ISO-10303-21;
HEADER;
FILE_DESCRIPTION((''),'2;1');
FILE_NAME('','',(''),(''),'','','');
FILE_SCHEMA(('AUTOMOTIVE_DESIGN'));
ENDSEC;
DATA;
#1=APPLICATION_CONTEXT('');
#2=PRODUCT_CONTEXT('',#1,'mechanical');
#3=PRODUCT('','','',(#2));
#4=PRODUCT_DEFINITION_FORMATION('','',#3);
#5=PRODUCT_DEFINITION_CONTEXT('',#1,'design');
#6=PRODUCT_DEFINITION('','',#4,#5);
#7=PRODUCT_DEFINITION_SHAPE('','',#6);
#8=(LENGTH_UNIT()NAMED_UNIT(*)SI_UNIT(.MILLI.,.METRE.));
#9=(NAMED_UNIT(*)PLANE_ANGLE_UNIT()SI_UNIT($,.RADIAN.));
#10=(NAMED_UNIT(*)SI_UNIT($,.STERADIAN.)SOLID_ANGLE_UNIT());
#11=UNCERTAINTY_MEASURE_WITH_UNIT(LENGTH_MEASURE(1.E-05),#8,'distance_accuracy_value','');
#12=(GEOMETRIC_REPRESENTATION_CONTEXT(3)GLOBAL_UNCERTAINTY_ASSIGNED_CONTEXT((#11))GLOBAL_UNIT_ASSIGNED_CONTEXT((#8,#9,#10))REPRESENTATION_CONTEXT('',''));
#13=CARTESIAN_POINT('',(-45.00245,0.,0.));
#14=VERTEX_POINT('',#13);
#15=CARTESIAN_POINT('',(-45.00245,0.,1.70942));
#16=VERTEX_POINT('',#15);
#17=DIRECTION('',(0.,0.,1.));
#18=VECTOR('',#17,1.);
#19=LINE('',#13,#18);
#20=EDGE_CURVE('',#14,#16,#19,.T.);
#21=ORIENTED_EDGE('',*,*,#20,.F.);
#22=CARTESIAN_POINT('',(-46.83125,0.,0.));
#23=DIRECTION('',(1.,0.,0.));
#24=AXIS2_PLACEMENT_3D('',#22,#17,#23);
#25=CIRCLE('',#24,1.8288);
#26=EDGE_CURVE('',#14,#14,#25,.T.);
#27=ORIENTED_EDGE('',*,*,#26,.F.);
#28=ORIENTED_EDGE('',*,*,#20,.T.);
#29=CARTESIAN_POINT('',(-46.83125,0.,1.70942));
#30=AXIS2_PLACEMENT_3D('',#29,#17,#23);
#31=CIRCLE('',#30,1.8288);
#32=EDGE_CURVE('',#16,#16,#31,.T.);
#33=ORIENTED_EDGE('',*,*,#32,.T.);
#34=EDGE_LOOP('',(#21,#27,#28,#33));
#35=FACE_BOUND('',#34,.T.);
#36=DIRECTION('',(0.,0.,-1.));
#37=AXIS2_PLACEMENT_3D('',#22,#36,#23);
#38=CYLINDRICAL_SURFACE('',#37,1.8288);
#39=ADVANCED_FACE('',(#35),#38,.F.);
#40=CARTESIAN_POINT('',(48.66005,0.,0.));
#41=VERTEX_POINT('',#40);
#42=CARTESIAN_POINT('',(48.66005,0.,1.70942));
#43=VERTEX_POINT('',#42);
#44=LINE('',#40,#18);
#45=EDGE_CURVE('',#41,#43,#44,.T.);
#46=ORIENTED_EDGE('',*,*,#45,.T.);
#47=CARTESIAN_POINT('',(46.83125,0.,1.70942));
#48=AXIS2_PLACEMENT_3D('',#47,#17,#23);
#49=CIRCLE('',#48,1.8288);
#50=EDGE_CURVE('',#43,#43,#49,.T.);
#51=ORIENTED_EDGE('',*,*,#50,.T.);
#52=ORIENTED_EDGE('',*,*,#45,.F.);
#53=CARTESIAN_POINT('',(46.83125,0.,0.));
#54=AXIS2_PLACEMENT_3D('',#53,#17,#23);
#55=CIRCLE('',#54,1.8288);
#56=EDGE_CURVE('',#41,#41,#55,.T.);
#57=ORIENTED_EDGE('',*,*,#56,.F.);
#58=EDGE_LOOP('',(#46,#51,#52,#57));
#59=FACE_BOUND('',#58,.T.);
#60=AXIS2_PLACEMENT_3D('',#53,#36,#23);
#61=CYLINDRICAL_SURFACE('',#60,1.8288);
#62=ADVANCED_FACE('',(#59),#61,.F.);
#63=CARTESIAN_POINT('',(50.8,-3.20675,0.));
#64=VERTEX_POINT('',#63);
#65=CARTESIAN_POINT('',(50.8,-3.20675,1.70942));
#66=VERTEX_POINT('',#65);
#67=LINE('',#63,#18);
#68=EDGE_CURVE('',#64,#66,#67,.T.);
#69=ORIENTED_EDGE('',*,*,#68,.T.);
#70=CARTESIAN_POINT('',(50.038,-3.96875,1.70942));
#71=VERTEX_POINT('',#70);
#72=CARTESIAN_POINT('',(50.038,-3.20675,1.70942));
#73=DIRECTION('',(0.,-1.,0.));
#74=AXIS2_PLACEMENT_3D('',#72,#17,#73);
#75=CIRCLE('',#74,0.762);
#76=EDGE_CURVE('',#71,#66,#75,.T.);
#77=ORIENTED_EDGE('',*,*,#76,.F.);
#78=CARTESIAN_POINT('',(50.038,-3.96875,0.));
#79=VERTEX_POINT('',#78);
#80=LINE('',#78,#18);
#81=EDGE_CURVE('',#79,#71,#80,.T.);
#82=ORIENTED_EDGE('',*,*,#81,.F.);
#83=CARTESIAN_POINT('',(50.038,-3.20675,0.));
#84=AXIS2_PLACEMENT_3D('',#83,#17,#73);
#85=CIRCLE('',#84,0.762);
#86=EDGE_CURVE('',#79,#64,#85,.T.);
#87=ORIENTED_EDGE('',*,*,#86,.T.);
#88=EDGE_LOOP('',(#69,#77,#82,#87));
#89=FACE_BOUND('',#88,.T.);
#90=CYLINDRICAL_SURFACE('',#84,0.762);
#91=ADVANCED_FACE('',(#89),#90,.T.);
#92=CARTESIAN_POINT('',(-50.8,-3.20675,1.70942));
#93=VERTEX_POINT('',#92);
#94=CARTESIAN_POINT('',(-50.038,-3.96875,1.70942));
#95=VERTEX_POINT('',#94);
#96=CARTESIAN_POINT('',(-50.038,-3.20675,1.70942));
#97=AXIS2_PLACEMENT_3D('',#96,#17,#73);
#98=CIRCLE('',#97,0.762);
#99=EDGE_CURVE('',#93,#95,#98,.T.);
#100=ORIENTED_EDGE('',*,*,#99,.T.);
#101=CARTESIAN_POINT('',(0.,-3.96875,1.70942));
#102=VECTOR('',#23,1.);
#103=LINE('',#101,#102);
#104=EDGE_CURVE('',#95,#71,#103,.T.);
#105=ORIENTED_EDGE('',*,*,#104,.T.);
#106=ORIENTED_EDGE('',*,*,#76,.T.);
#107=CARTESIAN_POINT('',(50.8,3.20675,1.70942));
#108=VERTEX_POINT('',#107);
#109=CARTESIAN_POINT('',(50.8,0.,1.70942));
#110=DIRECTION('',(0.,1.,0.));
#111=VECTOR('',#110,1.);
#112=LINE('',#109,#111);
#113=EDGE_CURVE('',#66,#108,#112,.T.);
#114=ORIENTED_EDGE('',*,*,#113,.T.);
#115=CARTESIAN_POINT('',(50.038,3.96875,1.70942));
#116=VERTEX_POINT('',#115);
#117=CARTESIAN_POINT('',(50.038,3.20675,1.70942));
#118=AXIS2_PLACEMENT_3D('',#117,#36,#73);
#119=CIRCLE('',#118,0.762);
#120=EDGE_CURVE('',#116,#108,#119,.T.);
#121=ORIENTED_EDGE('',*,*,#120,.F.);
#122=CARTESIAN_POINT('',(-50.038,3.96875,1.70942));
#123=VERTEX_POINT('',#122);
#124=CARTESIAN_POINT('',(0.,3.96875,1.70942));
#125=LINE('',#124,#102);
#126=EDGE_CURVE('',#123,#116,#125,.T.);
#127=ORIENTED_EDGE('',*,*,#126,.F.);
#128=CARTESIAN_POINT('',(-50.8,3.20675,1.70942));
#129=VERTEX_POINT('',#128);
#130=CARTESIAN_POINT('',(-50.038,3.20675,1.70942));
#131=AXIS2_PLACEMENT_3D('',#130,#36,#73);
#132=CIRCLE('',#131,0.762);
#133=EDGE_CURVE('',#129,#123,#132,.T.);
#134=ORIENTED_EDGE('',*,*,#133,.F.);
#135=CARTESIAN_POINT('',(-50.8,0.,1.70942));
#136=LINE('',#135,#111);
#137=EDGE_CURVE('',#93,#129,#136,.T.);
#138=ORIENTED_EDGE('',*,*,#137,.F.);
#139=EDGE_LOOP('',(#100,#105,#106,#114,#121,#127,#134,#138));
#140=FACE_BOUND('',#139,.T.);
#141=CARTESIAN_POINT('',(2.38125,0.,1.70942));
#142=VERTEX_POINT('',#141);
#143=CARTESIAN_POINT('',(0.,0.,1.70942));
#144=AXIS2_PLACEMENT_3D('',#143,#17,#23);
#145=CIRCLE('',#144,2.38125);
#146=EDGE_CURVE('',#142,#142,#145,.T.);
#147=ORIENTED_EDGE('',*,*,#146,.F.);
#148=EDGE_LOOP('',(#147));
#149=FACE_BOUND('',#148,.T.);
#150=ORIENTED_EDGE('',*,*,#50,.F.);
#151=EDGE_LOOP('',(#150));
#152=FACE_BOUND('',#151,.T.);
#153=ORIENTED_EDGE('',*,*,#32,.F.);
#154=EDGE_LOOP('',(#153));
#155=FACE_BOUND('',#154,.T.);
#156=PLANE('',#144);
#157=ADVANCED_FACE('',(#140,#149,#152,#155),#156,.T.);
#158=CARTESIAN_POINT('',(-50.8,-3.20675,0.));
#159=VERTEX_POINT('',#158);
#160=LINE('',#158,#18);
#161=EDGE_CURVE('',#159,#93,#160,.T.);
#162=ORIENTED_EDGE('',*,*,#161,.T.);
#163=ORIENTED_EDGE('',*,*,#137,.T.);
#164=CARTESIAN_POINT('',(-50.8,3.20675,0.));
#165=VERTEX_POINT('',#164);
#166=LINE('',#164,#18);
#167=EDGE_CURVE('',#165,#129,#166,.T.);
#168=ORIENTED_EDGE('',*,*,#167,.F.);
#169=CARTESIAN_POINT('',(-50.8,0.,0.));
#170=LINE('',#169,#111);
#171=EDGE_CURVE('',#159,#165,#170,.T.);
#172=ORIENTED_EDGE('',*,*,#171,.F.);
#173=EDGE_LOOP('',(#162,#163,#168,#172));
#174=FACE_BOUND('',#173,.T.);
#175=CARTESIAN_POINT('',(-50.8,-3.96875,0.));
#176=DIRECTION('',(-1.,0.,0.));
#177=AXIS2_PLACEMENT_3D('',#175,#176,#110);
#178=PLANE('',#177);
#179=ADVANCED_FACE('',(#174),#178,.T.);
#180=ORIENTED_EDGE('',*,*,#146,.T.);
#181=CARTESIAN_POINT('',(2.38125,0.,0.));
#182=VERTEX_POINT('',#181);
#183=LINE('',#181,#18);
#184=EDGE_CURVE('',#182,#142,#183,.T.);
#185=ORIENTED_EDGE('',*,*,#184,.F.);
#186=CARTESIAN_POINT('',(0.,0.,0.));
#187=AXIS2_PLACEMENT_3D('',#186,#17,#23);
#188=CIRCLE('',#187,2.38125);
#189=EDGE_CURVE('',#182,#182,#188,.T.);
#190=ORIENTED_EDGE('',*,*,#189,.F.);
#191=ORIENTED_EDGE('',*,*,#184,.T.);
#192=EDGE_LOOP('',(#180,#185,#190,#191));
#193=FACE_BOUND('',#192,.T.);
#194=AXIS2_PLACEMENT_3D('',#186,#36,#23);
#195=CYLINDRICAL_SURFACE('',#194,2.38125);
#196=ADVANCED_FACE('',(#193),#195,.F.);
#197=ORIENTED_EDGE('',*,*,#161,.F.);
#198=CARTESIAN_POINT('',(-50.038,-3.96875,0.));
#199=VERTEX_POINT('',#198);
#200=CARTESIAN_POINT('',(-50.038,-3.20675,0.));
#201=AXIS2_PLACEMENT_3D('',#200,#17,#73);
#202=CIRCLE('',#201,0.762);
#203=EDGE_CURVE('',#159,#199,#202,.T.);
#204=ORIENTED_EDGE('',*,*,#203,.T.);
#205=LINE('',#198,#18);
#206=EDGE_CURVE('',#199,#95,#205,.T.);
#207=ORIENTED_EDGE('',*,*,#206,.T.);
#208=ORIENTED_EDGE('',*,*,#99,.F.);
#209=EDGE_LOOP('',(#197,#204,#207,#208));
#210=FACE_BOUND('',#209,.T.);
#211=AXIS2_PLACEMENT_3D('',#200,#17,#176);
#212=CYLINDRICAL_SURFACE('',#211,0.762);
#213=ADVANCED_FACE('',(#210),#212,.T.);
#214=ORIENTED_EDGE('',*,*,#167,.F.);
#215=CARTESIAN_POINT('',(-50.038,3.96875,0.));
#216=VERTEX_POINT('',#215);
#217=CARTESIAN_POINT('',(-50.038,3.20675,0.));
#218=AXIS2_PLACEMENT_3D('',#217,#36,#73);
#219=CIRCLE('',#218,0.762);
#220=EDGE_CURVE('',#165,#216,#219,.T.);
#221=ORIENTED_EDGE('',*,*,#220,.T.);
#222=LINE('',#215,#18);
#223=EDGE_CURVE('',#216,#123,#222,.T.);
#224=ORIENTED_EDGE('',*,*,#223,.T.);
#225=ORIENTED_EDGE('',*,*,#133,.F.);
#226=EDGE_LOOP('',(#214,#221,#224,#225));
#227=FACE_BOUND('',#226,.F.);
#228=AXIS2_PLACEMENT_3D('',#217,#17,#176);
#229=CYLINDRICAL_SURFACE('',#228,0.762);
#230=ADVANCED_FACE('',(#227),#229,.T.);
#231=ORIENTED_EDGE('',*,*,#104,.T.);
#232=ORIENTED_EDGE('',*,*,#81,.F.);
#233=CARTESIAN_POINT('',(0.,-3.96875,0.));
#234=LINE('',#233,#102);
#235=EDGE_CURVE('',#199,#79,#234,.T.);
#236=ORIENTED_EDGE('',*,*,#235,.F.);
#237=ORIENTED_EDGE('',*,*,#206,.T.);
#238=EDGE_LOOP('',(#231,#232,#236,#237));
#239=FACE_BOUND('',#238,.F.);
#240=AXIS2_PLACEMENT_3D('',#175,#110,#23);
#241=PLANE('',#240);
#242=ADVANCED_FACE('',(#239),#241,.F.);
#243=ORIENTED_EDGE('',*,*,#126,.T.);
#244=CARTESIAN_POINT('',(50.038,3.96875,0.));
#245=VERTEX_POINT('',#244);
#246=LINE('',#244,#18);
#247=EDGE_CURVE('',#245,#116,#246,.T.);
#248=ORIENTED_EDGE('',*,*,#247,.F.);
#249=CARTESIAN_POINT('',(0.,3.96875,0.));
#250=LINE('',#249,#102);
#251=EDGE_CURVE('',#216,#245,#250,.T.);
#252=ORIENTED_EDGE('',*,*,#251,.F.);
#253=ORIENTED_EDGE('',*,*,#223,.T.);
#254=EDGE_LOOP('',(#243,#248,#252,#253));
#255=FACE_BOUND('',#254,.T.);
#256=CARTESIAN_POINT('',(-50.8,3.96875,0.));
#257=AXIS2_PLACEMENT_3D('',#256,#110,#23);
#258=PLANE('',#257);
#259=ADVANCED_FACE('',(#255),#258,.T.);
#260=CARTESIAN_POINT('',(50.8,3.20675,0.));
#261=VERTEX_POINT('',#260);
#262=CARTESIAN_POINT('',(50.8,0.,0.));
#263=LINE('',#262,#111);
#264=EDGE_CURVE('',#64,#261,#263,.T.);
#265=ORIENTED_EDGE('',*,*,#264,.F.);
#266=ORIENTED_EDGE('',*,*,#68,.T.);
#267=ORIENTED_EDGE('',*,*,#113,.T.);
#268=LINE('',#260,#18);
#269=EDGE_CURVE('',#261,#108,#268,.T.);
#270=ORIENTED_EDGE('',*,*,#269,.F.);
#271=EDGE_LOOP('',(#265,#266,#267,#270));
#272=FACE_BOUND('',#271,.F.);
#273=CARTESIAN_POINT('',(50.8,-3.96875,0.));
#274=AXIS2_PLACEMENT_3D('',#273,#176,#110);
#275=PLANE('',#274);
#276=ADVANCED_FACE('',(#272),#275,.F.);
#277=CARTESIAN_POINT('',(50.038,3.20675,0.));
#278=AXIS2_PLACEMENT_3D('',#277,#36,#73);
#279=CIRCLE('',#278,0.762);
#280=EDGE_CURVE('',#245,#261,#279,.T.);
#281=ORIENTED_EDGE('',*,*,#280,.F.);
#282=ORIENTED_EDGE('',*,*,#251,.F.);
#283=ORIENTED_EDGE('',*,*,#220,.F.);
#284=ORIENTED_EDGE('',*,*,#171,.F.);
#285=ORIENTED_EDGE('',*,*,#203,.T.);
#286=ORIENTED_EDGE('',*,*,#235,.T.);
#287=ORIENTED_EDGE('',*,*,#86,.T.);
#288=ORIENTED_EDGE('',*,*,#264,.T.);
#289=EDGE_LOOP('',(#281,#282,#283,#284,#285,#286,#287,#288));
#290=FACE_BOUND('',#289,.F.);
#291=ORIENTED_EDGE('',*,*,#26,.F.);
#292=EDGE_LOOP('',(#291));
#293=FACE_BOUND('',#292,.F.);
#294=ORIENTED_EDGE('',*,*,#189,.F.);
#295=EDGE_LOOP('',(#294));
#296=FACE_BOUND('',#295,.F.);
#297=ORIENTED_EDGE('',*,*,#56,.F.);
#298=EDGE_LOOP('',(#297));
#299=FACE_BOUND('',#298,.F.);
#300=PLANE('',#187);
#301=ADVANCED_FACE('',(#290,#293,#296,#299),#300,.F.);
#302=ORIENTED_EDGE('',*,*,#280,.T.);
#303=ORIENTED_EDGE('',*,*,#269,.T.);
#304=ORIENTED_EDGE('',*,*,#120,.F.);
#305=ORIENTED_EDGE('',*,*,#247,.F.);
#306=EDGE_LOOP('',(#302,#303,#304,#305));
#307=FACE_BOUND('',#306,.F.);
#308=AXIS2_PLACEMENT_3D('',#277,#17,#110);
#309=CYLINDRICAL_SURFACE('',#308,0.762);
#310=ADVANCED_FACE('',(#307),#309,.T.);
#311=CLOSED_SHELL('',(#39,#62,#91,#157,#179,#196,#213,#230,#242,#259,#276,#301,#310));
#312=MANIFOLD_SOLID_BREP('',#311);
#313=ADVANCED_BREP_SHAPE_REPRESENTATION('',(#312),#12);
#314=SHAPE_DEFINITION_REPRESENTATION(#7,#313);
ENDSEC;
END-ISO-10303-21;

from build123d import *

# Parameters (mm, degrees)
F0_W     = 101.6
F0_H     = 7.9375
F0_R     = 1.8288
F0_R_2   = 2.38125
F1_DEPTH = 1.70942
F2_R     = 0.762


with BuildPart() as f1:
    # F0 (on Top) → F1 (new body)
    with BuildSketch(Plane.XY):
        Rectangle(F0_W, F0_H)
        with Locations((-46.83125, 0)):
            Circle(F0_R, mode=Mode.SUBTRACT)
        Circle(F0_R_2, mode=Mode.SUBTRACT)
        with Locations((46.83125, 0)):
            Circle(F0_R, mode=Mode.SUBTRACT)
    extrude(amount=F1_DEPTH)

    # F2
    f2_edges = [f1.edges().sort_by_distance(p)[0] for p in [
        (50.8, 3.96875, 0.85471),
        (-50.8, 3.96875, 0.85471),
        (-50.8, -3.96875, 0.85471),
        (50.8, -3.96875, 0.85471),
    ]]
    fillet(f2_edges, radius=F2_R)


solid = f1.part
